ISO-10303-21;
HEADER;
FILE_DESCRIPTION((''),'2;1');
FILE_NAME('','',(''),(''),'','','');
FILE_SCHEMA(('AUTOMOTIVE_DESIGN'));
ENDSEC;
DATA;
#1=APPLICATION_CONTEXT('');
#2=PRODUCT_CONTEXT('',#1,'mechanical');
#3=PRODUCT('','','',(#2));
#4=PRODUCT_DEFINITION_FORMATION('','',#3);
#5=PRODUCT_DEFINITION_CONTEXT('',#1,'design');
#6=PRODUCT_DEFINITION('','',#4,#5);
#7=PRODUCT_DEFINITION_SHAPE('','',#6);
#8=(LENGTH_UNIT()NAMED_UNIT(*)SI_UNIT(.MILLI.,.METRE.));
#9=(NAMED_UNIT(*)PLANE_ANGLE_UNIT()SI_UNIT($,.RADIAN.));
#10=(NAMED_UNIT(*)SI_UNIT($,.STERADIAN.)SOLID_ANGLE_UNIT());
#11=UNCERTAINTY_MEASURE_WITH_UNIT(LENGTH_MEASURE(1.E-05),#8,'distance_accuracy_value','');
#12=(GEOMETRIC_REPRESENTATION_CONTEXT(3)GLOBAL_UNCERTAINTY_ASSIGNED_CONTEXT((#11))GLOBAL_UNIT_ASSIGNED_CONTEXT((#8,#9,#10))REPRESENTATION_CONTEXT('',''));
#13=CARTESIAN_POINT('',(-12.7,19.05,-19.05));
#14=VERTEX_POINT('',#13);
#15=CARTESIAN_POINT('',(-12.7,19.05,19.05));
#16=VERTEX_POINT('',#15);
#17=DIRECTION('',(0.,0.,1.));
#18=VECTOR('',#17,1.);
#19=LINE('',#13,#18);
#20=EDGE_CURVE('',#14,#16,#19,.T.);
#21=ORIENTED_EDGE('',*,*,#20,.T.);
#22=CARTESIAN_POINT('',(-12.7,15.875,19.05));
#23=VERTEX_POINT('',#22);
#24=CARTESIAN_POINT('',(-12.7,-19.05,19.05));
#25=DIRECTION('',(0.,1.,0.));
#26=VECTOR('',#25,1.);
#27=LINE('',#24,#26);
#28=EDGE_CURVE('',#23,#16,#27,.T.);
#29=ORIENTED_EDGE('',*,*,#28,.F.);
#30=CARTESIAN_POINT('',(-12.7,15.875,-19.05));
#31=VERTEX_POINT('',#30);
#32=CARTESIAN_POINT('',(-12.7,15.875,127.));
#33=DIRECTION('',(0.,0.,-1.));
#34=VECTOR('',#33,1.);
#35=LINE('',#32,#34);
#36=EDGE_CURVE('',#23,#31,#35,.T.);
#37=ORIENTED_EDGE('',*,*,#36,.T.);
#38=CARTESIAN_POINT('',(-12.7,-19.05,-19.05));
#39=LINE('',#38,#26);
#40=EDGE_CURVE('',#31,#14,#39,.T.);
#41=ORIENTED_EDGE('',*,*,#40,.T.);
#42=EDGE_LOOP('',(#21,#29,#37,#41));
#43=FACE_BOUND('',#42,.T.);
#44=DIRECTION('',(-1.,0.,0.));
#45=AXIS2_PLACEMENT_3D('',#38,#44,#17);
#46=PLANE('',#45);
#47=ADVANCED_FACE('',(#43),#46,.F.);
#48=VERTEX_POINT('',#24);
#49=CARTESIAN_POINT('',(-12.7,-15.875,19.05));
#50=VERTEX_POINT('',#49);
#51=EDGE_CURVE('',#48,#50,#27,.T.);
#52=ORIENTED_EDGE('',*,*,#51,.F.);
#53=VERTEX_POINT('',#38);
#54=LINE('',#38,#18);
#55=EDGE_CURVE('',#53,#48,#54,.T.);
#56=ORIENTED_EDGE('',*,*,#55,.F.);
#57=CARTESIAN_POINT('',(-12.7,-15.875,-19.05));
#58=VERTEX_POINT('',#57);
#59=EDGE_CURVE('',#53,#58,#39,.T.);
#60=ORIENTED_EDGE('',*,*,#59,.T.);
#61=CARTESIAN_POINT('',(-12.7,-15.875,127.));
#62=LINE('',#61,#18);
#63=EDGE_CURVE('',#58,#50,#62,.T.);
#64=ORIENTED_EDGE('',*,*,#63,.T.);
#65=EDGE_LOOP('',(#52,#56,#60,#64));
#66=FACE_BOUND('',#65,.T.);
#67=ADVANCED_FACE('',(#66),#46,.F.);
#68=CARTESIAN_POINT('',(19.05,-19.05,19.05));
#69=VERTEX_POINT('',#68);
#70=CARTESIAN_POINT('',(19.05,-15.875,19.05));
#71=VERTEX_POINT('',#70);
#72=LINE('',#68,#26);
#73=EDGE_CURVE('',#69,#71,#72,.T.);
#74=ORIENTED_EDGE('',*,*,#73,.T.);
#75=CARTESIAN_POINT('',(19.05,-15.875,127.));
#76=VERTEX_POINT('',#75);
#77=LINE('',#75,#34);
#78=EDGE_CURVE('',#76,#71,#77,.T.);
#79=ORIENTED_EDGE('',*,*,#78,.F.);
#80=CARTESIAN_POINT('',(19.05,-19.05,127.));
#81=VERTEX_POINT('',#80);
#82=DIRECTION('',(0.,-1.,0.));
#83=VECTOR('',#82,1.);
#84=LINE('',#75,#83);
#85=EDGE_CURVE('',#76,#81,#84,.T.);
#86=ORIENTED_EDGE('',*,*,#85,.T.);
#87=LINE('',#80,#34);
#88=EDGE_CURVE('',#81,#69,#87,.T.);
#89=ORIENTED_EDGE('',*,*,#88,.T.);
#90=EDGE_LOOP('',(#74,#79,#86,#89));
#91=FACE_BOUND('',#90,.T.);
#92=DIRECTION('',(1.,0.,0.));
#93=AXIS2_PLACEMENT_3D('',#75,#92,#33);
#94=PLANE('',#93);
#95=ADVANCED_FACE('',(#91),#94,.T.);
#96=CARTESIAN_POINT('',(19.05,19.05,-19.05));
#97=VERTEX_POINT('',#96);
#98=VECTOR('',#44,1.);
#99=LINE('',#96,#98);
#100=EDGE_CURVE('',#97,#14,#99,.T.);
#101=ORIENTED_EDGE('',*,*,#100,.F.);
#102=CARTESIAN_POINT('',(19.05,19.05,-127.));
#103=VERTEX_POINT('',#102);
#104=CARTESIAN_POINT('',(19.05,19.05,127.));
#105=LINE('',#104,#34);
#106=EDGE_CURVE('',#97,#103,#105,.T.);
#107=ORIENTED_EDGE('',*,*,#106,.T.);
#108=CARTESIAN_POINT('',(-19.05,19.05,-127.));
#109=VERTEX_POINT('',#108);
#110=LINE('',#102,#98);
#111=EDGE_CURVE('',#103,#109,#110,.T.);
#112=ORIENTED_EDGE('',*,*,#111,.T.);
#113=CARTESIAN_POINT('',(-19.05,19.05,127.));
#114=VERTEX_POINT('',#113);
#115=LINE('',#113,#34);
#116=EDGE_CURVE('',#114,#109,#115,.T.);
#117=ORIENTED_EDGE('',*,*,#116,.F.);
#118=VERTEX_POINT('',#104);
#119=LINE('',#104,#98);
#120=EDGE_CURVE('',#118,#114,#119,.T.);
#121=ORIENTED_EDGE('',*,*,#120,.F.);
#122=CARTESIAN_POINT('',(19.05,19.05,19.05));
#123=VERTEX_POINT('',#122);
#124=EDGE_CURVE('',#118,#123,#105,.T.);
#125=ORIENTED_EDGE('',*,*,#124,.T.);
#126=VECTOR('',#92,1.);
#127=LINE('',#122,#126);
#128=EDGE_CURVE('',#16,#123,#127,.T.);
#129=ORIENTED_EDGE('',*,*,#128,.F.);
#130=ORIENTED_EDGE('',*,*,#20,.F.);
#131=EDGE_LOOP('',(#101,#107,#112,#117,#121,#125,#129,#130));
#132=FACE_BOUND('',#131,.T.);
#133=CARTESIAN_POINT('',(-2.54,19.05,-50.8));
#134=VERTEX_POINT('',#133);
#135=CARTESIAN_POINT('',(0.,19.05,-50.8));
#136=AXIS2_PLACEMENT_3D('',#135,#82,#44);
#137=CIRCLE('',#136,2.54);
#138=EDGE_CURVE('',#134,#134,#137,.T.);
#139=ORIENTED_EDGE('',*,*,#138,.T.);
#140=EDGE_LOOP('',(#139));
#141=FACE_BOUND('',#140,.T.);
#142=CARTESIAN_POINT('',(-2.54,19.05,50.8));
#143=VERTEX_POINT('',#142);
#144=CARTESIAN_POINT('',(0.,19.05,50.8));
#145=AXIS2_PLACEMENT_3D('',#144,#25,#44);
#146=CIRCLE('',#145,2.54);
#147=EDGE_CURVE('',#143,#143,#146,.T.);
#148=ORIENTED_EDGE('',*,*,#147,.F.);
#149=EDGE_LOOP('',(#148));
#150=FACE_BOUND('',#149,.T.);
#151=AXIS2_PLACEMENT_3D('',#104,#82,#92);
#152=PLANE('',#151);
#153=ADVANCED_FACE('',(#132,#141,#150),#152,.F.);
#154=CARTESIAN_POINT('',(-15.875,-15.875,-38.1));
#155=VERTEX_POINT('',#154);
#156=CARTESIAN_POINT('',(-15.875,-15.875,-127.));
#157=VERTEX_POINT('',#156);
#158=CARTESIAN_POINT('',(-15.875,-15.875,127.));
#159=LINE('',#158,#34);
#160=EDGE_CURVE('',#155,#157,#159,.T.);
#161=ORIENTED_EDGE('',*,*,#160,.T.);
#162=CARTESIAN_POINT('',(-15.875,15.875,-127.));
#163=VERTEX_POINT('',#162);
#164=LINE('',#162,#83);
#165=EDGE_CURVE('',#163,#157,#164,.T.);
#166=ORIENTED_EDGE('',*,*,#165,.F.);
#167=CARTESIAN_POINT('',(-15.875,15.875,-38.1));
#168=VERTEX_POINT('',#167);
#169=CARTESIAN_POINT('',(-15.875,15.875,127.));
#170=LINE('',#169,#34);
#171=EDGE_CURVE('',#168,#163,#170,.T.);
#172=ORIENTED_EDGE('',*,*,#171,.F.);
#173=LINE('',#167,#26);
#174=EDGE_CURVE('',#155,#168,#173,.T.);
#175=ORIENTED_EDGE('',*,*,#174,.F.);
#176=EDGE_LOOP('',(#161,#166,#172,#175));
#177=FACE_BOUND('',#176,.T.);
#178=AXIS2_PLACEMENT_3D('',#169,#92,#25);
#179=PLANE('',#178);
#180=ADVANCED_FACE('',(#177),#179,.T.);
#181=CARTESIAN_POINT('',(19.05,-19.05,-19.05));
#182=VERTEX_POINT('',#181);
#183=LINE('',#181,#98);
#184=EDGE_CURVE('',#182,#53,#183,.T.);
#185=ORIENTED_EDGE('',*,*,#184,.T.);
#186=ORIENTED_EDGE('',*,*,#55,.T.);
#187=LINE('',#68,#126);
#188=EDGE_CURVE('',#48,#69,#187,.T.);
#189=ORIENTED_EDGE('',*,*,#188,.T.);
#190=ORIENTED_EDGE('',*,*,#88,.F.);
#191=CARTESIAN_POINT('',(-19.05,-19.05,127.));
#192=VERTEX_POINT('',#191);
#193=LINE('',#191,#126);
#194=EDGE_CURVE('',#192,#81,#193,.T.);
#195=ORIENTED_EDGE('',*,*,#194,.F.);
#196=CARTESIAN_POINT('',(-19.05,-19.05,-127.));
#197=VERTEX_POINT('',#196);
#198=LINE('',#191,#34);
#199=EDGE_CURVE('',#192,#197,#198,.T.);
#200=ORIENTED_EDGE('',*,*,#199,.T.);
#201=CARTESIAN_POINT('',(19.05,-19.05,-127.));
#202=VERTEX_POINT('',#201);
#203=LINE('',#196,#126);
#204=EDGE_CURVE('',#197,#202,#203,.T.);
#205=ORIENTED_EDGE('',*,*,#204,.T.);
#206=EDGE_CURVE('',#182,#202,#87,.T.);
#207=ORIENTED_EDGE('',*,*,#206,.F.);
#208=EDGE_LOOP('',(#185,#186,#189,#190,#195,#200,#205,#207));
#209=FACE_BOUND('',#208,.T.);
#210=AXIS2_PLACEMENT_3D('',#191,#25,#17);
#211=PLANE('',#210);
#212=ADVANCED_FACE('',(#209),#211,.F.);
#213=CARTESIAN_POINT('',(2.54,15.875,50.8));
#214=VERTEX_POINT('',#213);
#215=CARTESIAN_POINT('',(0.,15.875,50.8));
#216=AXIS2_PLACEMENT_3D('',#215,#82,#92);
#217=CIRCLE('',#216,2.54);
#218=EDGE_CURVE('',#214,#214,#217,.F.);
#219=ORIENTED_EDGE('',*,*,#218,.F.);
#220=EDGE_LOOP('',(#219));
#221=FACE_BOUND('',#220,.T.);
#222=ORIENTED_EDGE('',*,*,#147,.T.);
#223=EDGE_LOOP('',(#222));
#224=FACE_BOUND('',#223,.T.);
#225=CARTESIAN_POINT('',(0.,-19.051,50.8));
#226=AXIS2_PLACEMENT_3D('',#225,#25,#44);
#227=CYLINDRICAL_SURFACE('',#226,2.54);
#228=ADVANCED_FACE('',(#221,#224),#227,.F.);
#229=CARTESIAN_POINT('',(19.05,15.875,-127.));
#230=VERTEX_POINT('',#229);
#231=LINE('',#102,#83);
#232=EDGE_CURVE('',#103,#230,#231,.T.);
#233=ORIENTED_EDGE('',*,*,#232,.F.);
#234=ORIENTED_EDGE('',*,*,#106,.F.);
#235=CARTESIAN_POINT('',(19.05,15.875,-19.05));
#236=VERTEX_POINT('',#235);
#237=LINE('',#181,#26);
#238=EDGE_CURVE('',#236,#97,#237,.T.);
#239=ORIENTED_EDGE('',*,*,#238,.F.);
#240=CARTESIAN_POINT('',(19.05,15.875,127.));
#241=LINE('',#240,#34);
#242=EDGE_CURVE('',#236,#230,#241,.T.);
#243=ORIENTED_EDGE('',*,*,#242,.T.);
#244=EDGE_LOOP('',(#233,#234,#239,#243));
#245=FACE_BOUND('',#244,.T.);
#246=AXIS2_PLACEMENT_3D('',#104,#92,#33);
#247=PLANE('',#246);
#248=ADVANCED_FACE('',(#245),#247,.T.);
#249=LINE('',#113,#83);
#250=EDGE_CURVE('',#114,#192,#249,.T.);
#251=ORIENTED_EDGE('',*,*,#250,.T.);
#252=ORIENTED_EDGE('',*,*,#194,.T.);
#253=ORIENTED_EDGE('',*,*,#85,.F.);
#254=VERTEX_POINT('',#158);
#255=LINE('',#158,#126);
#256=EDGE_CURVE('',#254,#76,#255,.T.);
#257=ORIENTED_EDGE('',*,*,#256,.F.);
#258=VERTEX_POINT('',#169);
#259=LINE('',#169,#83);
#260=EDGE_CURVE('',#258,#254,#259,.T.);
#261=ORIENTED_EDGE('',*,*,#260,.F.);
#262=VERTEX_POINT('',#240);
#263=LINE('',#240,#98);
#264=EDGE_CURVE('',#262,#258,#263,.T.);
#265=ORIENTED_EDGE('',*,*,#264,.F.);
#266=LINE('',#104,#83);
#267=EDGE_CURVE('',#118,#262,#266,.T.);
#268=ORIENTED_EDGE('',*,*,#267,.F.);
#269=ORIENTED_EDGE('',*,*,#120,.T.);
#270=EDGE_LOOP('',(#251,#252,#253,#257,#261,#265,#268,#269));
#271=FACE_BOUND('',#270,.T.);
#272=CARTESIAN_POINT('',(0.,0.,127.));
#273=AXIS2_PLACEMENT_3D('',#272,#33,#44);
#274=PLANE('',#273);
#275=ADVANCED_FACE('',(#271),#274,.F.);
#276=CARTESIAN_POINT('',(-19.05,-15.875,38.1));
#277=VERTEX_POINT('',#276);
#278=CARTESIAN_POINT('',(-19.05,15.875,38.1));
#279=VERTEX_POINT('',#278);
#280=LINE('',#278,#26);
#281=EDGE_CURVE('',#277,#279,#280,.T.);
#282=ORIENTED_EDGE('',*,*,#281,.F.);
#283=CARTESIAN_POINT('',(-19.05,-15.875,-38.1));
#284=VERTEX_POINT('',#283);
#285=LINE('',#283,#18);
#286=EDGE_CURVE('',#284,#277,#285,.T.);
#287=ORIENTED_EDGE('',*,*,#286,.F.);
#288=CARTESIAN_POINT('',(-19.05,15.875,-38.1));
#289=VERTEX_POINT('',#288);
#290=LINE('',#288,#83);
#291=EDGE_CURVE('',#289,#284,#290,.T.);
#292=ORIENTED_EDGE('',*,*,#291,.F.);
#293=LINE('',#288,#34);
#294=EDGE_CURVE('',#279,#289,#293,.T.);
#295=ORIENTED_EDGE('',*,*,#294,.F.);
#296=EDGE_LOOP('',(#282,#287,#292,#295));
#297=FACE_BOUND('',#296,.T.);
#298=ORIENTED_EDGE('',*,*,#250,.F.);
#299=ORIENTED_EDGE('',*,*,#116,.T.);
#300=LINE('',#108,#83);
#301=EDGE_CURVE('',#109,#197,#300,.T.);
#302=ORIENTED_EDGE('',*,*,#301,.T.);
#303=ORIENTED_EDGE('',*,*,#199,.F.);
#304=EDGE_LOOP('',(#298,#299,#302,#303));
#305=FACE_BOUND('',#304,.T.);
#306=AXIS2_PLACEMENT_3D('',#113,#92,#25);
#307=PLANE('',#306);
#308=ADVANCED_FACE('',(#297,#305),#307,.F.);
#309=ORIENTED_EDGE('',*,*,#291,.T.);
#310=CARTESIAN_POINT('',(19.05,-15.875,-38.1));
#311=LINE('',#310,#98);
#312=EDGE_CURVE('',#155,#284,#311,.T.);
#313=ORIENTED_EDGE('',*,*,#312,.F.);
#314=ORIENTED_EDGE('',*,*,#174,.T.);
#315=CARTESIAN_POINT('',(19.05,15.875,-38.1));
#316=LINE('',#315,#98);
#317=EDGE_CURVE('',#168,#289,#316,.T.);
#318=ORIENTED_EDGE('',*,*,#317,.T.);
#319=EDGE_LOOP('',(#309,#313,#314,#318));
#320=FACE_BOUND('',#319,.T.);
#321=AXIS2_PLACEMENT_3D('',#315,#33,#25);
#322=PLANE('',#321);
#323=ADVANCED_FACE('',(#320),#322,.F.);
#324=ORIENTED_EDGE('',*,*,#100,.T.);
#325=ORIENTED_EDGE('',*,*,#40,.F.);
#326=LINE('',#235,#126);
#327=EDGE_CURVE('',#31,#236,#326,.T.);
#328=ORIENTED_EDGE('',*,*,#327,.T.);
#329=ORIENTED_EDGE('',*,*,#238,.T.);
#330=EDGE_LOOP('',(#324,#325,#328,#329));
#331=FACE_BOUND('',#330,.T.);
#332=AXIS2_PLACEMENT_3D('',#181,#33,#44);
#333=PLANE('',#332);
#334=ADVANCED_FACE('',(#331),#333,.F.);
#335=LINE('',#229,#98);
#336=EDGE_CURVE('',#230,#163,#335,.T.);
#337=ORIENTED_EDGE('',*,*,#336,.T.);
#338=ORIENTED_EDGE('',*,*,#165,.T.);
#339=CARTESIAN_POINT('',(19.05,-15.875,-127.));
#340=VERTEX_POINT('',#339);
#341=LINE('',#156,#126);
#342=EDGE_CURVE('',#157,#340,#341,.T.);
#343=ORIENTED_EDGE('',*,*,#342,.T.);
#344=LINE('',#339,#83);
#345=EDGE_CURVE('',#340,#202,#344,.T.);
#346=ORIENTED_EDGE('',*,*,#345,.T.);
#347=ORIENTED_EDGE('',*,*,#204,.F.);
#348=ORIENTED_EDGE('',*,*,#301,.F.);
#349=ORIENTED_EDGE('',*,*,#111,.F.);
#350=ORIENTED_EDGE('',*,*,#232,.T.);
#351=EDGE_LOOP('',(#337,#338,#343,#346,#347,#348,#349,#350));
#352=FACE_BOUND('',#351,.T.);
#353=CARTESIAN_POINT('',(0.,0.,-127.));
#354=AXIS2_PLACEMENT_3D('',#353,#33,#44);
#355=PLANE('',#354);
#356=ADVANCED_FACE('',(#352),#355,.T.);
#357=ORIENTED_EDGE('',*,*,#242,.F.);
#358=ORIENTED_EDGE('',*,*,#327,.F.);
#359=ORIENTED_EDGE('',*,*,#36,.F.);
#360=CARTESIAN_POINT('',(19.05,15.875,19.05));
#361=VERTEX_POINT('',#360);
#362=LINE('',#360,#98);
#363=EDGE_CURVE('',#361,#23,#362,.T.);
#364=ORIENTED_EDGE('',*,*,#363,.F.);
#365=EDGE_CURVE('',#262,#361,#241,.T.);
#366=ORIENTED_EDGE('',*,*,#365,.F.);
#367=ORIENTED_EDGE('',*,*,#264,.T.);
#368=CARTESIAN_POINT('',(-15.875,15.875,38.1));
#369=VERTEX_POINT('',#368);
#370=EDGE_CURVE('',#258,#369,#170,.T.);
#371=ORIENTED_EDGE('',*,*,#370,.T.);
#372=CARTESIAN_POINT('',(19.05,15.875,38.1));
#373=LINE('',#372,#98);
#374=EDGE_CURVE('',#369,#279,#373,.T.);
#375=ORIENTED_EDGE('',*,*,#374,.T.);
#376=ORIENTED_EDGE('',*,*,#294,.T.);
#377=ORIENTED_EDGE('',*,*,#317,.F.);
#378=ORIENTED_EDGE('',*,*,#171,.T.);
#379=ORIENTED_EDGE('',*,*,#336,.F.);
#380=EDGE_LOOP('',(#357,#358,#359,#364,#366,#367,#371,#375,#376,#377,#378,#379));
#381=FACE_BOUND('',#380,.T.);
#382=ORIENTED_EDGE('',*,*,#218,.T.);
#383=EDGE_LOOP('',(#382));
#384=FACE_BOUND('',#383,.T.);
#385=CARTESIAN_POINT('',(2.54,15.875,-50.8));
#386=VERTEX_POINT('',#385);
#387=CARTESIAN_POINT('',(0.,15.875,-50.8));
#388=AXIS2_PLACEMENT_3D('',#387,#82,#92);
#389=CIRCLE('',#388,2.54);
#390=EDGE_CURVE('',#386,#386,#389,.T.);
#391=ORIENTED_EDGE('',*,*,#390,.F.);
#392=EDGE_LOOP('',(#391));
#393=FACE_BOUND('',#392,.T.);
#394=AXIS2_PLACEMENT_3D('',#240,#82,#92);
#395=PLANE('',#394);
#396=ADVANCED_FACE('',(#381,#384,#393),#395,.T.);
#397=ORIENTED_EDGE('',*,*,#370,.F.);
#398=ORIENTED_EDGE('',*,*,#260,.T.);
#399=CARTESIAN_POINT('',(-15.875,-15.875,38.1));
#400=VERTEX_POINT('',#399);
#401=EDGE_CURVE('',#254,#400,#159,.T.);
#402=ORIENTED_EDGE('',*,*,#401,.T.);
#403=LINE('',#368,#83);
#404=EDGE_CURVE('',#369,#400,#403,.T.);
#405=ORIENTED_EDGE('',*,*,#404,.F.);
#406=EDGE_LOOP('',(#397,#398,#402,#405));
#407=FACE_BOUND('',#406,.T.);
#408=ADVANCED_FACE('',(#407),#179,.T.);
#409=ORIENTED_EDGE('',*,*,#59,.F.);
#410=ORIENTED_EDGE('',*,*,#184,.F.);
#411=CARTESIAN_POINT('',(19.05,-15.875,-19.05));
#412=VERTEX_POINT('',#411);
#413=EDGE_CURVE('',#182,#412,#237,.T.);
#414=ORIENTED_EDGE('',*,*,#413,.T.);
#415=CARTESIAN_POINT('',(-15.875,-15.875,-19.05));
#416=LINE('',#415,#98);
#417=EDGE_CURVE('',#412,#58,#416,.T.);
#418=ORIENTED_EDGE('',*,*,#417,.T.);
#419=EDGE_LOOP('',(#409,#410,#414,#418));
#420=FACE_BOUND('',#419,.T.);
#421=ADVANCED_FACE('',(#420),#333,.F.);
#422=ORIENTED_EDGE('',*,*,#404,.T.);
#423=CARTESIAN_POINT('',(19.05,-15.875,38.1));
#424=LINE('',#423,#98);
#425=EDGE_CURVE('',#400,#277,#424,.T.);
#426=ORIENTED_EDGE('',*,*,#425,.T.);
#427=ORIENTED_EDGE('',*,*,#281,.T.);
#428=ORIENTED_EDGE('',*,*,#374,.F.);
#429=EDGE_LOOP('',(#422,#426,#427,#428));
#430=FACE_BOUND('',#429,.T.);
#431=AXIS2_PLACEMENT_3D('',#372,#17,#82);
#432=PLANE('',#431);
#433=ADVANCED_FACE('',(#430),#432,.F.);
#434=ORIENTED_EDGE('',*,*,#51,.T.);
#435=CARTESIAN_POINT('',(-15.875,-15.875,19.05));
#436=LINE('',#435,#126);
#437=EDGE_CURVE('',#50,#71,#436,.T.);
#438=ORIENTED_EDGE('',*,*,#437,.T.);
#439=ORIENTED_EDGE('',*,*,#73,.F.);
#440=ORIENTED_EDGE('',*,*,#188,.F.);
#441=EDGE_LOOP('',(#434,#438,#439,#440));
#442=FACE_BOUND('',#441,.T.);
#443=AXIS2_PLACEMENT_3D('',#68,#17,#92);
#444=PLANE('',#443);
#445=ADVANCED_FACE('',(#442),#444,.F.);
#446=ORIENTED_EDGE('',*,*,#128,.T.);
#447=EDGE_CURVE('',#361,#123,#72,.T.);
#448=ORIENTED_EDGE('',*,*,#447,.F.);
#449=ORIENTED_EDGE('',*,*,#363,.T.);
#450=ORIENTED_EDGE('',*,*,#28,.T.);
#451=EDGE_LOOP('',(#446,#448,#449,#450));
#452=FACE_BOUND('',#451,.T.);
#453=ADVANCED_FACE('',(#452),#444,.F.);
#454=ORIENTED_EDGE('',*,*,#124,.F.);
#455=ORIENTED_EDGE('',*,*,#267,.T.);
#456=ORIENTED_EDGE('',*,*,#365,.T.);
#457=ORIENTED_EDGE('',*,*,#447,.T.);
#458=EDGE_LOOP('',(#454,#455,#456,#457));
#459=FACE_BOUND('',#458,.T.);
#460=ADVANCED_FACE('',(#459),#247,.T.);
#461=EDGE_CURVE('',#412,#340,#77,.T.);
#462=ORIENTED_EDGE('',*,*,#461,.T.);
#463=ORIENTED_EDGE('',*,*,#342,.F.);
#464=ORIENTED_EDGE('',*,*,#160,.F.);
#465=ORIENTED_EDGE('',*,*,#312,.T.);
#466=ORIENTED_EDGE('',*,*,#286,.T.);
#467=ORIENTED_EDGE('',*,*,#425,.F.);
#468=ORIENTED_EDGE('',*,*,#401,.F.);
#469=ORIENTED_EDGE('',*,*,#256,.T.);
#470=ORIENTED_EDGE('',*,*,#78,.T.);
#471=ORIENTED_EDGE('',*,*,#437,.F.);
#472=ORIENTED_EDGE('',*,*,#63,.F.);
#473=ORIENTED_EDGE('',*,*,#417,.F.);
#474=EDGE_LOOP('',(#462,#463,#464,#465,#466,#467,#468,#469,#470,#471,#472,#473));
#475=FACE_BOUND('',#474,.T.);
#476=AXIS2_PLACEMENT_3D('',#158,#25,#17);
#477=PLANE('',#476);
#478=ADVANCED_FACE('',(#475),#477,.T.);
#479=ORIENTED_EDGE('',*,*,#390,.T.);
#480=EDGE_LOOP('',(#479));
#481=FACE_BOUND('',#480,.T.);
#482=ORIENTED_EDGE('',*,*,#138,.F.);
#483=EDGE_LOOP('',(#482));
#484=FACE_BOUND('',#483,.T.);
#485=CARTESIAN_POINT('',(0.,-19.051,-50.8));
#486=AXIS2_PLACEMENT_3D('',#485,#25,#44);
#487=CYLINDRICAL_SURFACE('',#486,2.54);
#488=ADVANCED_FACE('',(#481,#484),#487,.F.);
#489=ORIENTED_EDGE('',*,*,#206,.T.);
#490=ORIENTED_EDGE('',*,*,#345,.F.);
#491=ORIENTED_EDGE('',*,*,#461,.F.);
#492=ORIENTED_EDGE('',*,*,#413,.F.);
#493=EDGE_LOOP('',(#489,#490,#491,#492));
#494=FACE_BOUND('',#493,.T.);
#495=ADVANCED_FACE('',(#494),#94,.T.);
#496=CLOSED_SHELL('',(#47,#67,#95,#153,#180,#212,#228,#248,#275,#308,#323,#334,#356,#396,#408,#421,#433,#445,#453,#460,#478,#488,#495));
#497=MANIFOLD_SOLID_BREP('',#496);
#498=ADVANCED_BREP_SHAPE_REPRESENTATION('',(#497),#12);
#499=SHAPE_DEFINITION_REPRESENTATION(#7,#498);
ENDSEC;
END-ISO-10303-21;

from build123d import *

# Parameters (mm, degrees)
BOSS_EXTRUDE1_DEPTH = 127
SKETCH2_W           = 31.75
SKETCH2_H           = 38.1
CUT_EXTRUDE1_DEPTH  = 134.953396747
SKETCH3_W           = 76.2
SKETCH3_H           = 31.75
CUT_EXTRUDE2_DEPTH  = 134.953396747
CUT_EXTRUDE3_REACH  = 135.953
SKETCH4_R           = 2.54


with BuildPart() as part:
    # Sketch1 → Boss-Extrude1 (new, symmetric)
    with BuildSketch(Plane.XY):
        Polygon((19.05, 19.05), (-19.05, 19.05), (-19.05, -19.05), (19.05, -19.05), (19.05, -15.875), (-15.875, -15.875), (-15.875, 15.875), (19.05, 15.875), align=None)
    extrude(amount=BOSS_EXTRUDE1_DEPTH, both=True)

    # Sketch2 → Cut-Extrude1 (cut, through all)
    with BuildSketch(Plane(origin=(0, 19.05, 0), x_dir=(1, 0, 0), z_dir=(0, 1, 0))):
        with Locations((3.175, 0)):
            Rectangle(SKETCH2_W, SKETCH2_H)
    extrude(amount=-CUT_EXTRUDE1_DEPTH, mode=Mode.SUBTRACT)

    # Sketch3 → Cut-Extrude2 (cut, through all)
    with BuildSketch(Plane.ZY.offset(19.05)):
        Rectangle(SKETCH3_W, SKETCH3_H)
    extrude(amount=-CUT_EXTRUDE2_DEPTH, mode=Mode.SUBTRACT)

    # Sketch4 → Cut-Extrude3 (cut, up to next)
    with BuildSketch(Plane(origin=(0, 19.05, 0), x_dir=(1, 0, 0), z_dir=(0, 1, 0)), mode=Mode.PRIVATE) as cut_extrude3_sk1:
        with Locations(Location((0, -50.8, 0), (0, 0, 180))):
            Circle(SKETCH4_R)
    cut_extrude3_tool1 = extrude(cut_extrude3_sk1.sketch, amount=-CUT_EXTRUDE3_REACH, mode=Mode.PRIVATE) & part.part
    cut_extrude3 = cut_extrude3_tool1.solids().sort_by_distance((0, 19.05, 50.8))[0]
    add(cut_extrude3, mode=Mode.SUBTRACT)

    # Mirror1: Cut-Extrude3 across plane
    add(cut_extrude3.mirror(Plane.XY), mode=Mode.SUBTRACT)


solid = part.part
